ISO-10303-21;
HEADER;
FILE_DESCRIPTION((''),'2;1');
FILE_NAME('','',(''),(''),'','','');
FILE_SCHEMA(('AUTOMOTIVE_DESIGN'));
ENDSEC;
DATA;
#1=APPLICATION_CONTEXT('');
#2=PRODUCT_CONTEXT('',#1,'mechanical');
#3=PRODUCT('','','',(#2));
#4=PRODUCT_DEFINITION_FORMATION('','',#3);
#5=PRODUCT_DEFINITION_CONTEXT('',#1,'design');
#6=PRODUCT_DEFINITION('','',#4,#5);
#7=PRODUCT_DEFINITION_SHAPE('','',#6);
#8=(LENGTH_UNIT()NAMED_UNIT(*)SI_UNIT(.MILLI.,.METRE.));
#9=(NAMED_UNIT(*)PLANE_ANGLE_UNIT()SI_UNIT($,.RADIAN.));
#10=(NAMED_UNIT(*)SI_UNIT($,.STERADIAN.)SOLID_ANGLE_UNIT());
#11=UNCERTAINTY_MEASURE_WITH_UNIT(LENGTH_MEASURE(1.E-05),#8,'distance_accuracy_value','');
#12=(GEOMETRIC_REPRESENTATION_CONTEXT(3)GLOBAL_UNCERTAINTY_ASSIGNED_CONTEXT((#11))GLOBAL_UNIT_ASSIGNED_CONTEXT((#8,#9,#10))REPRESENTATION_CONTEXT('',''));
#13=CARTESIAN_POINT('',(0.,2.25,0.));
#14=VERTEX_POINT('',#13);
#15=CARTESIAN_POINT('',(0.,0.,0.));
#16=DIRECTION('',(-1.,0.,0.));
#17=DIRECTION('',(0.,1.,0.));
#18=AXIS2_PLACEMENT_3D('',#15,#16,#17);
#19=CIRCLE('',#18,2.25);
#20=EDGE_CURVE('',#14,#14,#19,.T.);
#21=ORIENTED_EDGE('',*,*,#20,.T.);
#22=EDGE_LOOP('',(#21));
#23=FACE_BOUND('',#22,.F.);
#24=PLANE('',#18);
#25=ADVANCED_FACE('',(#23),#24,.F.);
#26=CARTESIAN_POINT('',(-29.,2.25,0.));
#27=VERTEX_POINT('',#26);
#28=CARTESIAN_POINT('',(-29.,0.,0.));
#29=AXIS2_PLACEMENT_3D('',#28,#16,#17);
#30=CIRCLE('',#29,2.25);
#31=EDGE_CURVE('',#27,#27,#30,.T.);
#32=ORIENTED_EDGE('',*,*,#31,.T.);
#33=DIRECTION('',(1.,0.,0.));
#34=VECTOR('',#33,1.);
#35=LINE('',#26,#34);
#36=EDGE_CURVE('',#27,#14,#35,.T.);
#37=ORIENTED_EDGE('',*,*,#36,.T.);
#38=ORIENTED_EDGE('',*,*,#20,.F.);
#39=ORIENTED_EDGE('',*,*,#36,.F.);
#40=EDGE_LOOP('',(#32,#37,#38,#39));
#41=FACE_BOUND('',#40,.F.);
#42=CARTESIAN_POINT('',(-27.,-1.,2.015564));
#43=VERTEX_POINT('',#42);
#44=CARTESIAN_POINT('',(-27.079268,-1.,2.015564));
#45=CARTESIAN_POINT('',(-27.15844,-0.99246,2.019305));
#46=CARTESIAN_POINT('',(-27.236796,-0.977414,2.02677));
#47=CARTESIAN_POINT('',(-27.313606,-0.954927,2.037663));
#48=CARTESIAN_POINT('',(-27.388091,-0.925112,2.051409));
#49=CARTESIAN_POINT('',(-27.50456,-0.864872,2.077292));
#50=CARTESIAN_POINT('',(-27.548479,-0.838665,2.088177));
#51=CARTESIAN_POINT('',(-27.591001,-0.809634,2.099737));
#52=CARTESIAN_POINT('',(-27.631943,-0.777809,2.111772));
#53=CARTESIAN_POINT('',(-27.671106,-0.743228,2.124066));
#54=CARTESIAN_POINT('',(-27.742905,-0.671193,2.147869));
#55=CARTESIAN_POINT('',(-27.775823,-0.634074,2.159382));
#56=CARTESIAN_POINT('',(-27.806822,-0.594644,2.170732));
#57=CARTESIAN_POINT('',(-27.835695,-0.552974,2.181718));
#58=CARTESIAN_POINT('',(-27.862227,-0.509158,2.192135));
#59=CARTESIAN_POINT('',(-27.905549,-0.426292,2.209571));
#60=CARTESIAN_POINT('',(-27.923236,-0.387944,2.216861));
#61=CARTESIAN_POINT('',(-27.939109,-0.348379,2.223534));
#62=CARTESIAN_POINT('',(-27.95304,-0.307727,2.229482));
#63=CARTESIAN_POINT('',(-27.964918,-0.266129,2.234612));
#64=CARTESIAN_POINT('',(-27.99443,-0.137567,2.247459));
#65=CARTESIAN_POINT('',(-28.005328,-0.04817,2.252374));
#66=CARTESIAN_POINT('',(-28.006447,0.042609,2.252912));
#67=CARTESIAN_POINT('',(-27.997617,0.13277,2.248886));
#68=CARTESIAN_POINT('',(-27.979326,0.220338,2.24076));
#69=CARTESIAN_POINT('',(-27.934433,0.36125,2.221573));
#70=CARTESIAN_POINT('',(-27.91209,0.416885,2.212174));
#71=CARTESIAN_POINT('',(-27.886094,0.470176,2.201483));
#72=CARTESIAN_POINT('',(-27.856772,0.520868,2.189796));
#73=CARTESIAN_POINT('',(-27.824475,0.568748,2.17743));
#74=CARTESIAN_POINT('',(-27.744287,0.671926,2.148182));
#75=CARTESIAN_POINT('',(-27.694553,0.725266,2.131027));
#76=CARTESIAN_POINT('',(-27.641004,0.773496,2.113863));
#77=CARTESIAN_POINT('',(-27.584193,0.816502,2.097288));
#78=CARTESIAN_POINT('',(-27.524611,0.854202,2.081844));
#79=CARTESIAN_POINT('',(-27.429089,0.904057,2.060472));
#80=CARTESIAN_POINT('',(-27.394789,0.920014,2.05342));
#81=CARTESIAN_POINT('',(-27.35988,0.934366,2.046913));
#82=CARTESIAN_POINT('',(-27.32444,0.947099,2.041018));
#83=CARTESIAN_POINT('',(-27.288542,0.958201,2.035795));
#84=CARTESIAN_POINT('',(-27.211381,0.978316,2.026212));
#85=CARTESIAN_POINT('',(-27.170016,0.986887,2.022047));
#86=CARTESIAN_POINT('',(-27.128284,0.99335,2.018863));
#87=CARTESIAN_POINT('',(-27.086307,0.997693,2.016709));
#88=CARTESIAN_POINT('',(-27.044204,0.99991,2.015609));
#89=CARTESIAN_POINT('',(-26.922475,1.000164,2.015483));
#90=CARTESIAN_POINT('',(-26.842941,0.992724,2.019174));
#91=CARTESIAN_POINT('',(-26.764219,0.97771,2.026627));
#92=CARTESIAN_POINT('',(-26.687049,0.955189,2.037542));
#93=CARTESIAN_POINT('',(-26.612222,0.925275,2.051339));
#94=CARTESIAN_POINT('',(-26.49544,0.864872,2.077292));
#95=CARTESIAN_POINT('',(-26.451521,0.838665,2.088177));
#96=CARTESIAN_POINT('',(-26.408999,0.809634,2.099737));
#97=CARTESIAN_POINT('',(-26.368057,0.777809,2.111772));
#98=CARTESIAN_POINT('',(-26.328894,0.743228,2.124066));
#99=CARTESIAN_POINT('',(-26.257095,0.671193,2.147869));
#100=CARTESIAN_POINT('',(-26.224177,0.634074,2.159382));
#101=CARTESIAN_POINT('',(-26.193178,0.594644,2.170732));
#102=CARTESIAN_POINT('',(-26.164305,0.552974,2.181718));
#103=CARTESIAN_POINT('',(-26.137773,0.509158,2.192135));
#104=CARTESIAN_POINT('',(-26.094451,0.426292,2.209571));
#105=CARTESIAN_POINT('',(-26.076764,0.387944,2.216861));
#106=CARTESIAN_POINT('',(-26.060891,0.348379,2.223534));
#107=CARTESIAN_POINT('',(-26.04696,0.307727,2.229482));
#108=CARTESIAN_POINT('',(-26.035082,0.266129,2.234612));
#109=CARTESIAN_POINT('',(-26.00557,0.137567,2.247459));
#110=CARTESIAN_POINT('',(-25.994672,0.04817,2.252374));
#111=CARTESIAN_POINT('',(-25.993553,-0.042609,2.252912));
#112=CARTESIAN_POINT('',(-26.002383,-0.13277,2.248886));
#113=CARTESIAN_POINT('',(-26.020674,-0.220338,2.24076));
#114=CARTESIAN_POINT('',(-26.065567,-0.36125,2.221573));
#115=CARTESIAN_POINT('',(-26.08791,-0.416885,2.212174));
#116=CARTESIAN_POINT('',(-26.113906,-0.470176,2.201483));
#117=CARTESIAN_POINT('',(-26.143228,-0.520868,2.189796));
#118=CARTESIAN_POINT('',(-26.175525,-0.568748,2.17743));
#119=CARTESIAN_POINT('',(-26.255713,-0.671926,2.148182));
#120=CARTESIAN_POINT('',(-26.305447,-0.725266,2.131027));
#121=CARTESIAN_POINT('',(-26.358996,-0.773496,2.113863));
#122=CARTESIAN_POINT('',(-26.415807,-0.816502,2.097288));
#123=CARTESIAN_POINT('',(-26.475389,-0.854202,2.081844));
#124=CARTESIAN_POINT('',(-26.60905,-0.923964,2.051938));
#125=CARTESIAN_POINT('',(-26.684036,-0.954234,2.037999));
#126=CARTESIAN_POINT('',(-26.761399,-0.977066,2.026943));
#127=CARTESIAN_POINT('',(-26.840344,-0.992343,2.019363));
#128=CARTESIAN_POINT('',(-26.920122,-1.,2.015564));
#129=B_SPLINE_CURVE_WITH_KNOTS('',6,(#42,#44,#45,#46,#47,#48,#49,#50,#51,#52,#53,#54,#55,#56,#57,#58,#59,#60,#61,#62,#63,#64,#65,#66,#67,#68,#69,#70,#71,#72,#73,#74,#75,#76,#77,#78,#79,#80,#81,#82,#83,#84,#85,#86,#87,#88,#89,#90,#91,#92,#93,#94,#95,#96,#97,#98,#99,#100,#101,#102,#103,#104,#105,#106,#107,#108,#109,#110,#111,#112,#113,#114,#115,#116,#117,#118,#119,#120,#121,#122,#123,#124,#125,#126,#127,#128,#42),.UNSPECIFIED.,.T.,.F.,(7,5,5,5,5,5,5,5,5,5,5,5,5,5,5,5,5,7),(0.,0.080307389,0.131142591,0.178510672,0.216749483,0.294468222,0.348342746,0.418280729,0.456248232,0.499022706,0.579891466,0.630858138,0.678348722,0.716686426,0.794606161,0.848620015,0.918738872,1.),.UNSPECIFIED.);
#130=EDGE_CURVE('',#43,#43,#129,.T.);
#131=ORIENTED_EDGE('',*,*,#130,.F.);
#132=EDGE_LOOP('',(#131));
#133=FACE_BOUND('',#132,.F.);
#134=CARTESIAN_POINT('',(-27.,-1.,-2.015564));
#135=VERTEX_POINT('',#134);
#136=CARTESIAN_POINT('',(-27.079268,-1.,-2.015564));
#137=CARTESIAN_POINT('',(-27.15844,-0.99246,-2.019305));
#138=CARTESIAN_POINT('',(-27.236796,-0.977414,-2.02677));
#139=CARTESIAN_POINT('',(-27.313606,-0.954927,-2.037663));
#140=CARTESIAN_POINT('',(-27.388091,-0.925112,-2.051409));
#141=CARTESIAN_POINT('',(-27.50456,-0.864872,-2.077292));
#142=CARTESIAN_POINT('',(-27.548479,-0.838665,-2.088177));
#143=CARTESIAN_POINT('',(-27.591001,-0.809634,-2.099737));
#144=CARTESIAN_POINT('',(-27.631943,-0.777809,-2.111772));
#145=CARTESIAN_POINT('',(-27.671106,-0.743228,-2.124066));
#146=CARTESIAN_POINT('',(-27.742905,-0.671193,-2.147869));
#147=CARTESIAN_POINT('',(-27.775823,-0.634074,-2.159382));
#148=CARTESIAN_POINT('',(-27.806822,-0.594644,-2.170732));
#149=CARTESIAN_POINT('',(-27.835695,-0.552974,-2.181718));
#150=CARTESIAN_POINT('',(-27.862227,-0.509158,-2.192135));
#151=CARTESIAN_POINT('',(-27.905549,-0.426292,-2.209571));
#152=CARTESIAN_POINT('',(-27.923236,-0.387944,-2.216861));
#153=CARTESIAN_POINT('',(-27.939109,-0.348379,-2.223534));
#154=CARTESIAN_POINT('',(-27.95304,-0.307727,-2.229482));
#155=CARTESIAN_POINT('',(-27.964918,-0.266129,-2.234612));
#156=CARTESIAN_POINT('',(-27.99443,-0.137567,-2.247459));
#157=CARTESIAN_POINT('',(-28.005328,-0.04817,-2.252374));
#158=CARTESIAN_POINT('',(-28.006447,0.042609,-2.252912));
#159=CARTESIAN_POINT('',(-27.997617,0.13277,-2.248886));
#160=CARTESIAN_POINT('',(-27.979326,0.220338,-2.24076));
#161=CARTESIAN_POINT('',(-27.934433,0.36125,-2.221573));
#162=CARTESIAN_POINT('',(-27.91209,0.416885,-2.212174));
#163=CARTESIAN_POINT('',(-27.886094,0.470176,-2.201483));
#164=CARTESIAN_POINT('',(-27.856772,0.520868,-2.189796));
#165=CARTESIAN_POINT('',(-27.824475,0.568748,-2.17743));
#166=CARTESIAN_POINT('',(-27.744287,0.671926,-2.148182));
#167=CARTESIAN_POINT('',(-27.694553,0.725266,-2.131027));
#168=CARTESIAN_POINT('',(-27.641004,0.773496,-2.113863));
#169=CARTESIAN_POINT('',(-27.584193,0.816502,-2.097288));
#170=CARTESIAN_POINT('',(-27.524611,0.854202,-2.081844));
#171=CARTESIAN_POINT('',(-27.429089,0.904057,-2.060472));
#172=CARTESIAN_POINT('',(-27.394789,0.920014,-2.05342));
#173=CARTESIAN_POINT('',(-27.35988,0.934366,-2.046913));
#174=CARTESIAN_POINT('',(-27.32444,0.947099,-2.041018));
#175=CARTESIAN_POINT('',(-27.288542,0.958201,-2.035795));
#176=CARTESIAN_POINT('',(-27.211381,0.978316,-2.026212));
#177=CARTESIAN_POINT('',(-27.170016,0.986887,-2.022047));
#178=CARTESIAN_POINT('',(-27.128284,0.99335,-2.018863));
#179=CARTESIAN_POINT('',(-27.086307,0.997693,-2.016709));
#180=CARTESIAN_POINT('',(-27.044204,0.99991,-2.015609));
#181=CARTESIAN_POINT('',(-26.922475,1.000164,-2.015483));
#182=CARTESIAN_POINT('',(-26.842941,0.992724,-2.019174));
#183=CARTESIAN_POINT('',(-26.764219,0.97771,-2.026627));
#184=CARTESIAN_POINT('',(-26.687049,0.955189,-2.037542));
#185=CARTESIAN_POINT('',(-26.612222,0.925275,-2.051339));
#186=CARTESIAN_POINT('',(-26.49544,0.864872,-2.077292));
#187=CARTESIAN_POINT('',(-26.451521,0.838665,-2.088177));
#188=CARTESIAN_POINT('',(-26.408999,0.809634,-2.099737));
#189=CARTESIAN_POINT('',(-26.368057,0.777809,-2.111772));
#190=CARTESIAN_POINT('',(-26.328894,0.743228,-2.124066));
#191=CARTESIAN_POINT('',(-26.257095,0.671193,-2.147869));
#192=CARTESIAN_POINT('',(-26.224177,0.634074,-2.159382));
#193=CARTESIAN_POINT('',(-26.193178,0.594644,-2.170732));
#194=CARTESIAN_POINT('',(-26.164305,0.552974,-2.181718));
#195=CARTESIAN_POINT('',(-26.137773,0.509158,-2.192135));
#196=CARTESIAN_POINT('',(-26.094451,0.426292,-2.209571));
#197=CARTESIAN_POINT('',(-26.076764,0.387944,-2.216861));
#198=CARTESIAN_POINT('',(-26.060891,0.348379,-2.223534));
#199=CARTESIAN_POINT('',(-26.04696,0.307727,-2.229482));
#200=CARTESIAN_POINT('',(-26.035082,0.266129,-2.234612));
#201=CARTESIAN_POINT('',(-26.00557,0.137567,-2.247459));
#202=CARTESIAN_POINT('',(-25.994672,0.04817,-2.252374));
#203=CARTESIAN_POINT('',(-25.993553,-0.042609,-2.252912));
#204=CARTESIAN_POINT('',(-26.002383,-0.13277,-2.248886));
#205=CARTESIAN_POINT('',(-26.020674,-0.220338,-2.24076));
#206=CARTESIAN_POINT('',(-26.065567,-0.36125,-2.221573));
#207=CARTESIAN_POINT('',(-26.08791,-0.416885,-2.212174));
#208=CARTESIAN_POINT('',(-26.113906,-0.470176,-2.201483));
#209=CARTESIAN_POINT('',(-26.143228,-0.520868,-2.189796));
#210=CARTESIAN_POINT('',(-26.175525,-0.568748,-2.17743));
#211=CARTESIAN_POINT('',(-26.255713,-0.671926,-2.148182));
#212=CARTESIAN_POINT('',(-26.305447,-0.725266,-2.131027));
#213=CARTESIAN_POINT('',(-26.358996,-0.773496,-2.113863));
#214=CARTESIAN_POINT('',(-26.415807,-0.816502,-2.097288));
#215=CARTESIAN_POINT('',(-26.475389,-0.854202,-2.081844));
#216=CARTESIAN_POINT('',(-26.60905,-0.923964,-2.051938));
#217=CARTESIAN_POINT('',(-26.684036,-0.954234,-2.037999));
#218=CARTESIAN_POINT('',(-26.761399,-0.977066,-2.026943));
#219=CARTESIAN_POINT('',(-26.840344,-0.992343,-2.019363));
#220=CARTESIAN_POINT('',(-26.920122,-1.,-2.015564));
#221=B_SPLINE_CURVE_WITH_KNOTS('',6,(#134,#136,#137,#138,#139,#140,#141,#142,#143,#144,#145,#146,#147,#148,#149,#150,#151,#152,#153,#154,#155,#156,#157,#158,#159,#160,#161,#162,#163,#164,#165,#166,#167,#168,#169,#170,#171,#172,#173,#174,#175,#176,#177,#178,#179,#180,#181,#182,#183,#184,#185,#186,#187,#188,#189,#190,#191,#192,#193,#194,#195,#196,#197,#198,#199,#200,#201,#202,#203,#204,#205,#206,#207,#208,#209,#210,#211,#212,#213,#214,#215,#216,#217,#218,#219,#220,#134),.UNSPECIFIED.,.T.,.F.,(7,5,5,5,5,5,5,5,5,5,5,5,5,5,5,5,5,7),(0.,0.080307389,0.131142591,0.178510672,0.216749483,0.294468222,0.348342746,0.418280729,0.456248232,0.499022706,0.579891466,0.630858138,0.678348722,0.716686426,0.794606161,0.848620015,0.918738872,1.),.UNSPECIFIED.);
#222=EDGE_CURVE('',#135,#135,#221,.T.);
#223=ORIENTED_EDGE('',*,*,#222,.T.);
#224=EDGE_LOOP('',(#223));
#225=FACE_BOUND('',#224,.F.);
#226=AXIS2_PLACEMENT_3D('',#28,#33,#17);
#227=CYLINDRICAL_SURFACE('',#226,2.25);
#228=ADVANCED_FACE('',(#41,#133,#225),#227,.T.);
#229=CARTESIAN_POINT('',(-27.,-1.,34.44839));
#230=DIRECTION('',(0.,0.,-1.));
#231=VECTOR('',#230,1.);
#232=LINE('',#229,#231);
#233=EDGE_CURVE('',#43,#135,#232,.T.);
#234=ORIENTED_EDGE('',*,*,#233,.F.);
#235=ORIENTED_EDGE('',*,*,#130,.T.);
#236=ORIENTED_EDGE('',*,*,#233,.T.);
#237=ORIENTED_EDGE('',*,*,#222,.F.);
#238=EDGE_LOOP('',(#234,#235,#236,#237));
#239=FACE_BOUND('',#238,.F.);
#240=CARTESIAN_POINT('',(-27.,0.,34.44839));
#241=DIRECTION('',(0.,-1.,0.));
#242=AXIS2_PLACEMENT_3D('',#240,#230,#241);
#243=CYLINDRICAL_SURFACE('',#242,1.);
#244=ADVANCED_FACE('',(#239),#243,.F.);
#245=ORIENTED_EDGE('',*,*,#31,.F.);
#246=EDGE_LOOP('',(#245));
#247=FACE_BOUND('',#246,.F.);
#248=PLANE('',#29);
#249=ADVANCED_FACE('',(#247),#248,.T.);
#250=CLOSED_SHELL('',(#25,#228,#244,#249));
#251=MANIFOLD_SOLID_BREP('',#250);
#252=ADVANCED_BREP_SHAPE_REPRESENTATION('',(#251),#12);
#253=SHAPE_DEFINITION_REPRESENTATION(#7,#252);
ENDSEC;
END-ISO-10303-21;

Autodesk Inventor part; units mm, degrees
ref_plane "YZ Plane" through (0, 0, 0) normal (1, 0, 0) x (0, 1, 0)
ref_plane "XZ Plane" through (0, 0, 0) normal (0, 1, 0) x (-1, 0, 0)
ref_plane "XY Plane" through (0, 0, 0) normal (0, 0, 1) x (1, 0, 0)
sketch "Boceto1" plane through (0, 0, 0) normal (0, 0, 1) x (1, 0, 0)
  line L0 (0, 0) -> (-29, 0)
  line L1 (-29, 0) -> (-29, 2.25)
  line L2 (-29, 2.25) -> (0, 2.25)
  line L3 (0, 2.25) -> (0, 0)
  dimension "d0" = 29
  dimension "d1" = 4.5
revolve "Revolución1" add sketch "Boceto1" angle 360 about axis through (0, 0, 0) along (-1, 0, 0)
sketch "Boceto2" plane through (0, 0, 0) normal (0, 0, 1) x (1, 0, 0)
  line L0 (0, 2.25) -> (0, -2.25) projected
  line L1 (0, -2.25) -> (-29, -2.25) projected
  line L2 (-29, -2.25) -> (-29, 2.25) projected
  line L3 (-29, 2.25) -> (0, 2.25) projected
  line L4 (-29, 0) -> (0, 0) construction
  line L5 (-27, 2.25) -> (-27, -2.25) construction
  circle A0 centre (-27, 0) radius 1
  dimension "d3" = 2
  dimension "d4" = 2
hole "Agujero1" at (-27, 0, 0) direction (0, 0, -1) diameter 2 end through all both
properties part number "Hudson 1-62B"
